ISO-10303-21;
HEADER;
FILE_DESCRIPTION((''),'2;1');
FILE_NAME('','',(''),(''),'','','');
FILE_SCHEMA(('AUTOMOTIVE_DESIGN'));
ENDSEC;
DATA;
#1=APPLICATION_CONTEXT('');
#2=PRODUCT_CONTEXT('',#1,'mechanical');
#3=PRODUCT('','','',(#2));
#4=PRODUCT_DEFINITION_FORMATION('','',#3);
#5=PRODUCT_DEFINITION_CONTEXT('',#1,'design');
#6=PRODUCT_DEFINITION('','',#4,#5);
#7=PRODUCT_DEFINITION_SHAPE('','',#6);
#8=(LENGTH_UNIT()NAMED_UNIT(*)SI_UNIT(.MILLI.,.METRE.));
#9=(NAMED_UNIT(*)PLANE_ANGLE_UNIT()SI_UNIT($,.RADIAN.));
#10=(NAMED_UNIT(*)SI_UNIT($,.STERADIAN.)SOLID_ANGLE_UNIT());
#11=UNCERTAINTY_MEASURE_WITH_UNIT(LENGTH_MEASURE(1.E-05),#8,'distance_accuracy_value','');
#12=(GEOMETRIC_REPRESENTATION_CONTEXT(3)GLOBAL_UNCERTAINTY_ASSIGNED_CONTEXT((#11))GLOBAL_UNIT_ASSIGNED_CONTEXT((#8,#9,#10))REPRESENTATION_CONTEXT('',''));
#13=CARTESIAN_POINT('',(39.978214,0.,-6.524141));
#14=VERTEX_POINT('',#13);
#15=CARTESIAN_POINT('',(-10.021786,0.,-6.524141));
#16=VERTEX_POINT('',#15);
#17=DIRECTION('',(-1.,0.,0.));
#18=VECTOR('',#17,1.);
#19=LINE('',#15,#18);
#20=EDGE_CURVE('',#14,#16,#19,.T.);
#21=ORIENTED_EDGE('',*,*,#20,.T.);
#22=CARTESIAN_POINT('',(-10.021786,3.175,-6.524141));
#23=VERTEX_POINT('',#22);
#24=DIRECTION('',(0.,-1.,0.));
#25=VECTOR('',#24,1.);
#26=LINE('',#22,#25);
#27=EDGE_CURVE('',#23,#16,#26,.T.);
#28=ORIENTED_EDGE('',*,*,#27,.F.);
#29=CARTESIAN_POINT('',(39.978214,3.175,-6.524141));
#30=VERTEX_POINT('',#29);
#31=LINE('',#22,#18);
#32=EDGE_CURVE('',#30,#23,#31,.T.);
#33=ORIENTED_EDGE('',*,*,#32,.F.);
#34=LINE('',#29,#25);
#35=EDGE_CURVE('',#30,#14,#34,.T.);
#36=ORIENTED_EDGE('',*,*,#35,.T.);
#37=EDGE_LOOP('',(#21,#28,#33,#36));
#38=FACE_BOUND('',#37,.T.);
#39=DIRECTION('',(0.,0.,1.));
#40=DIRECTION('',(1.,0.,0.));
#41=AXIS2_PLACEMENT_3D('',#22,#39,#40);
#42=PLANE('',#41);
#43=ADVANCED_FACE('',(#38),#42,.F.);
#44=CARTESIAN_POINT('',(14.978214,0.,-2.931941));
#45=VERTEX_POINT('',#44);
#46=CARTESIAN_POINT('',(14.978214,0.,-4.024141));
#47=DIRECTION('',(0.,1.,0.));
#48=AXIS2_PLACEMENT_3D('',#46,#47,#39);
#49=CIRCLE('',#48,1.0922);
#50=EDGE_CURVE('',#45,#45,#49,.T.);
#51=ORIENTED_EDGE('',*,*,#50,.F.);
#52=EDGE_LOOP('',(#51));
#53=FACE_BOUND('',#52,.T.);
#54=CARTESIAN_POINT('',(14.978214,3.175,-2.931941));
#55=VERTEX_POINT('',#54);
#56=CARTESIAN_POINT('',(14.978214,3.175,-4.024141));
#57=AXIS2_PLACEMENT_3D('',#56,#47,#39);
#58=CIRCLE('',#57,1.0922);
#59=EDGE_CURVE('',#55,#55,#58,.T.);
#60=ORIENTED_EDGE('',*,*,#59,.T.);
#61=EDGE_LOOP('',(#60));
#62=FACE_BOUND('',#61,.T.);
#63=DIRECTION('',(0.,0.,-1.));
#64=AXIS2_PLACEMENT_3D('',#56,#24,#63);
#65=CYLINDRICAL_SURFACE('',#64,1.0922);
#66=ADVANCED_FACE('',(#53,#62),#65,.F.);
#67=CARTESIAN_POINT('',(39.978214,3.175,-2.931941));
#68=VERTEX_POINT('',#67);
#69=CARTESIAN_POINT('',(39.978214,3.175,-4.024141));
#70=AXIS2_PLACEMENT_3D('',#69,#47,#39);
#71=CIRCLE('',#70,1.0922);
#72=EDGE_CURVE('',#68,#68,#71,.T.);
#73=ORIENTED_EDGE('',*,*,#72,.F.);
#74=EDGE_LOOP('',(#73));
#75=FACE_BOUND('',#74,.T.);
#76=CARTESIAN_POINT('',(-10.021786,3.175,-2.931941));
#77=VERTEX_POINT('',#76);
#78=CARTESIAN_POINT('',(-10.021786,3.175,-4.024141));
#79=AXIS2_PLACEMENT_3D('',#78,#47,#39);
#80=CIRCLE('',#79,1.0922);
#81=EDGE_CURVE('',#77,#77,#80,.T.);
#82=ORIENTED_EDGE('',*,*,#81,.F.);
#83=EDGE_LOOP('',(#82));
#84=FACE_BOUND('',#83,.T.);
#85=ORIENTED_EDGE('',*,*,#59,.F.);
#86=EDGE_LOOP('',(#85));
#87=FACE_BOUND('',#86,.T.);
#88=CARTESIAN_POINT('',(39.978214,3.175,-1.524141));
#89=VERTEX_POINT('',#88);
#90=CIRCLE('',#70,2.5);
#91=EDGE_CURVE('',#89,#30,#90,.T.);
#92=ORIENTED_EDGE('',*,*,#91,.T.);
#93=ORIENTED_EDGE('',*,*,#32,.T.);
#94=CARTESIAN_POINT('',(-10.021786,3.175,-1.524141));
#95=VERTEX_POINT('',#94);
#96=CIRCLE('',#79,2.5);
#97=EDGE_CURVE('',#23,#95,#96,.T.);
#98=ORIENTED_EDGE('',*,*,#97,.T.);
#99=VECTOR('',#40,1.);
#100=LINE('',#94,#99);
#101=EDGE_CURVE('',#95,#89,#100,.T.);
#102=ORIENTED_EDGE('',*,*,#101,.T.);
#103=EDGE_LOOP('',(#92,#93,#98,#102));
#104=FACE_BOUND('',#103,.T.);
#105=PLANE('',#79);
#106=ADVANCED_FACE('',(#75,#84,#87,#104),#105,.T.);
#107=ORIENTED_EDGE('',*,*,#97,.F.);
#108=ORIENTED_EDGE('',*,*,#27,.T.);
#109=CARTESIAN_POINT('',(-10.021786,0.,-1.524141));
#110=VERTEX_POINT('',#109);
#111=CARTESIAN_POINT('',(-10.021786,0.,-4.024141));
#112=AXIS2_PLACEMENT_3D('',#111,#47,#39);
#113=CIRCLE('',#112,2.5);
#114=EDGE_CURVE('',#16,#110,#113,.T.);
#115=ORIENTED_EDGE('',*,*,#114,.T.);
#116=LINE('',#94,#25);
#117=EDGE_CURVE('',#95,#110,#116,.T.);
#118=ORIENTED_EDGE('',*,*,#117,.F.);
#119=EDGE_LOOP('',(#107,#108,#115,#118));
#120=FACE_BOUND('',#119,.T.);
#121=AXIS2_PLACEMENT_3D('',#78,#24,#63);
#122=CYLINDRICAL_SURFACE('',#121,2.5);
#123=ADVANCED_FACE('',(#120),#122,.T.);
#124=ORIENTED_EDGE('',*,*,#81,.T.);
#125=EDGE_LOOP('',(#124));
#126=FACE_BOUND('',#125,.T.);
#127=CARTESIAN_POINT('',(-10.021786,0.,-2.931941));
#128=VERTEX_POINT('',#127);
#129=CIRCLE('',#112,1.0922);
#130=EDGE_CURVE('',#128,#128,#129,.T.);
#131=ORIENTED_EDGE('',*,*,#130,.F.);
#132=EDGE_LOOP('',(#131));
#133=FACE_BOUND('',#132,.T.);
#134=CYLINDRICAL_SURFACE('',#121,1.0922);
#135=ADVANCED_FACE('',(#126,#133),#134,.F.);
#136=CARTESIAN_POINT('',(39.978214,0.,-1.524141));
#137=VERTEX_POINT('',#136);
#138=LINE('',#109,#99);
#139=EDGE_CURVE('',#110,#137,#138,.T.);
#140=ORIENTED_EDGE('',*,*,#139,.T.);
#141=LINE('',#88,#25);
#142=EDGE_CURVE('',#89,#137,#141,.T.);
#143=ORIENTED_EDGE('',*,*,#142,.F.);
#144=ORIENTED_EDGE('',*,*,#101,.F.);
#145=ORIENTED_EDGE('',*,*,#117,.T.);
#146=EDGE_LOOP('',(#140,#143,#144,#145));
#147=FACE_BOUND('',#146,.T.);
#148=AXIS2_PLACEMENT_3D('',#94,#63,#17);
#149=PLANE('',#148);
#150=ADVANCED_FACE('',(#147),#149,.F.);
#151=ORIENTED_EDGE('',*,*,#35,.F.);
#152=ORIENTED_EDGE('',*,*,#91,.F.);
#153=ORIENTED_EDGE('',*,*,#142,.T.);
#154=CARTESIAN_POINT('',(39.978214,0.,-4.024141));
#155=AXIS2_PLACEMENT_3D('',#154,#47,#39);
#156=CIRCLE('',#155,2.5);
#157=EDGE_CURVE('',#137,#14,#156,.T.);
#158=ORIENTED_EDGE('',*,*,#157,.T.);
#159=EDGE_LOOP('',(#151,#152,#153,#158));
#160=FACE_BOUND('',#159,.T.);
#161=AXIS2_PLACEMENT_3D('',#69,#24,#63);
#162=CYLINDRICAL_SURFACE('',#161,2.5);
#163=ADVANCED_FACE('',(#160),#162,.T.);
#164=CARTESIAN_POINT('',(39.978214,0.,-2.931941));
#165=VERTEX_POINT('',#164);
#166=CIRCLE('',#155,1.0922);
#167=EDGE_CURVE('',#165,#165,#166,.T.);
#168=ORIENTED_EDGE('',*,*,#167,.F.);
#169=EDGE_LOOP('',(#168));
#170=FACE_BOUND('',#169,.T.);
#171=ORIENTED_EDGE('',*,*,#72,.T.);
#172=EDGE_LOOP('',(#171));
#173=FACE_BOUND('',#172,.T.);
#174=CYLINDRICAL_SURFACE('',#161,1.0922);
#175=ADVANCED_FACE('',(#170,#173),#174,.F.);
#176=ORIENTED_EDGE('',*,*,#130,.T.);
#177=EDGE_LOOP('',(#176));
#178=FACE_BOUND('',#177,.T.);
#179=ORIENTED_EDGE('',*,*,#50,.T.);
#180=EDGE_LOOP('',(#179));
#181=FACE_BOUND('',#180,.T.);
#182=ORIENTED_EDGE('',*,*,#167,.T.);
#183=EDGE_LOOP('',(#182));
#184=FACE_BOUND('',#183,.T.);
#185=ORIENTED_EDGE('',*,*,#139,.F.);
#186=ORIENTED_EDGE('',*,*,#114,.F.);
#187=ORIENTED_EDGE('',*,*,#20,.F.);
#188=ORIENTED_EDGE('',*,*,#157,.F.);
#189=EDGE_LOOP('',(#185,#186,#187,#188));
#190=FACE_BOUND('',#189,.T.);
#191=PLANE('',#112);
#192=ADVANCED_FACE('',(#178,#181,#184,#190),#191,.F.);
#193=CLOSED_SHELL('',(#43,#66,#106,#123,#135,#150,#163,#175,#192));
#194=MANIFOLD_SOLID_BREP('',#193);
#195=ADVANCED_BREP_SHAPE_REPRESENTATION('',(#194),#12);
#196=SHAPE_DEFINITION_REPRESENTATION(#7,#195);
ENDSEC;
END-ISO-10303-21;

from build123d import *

# Parameters (mm, degrees)
SKETCH1_R           = 1.0922
BOSS_EXTRUDE1_DEPTH = 3.175


with BuildPart() as part:
    # Sketch1 → Boss-Extrude1 (new body)
    with BuildSketch(Plane(origin=(0, 0, 0), x_dir=(1, 0, 0), z_dir=(0, 1, 0))):
        with BuildLine():
            Line((-10.021786492, 6.524141437), (39.978213508, 6.524141437))
            ThreePointArc((39.978213508, 6.524141437), (42.478213508, 4.024141437), (39.978213508, 1.524141437))
            Line((39.978213508, 1.524141437), (-10.021786492, 1.524141437))
            ThreePointArc((-10.021786492, 1.524141437), (-12.521786492, 4.024141437), (-10.021786492, 6.524141437))
        make_face()
        with Locations((-10.021786492, 4.024141437)):
            Circle(SKETCH1_R, mode=Mode.SUBTRACT)
        with Locations((39.978213508, 4.024141437)):
            Circle(SKETCH1_R, mode=Mode.SUBTRACT)
        with Locations((14.978213508, 4.024141437)):
            Circle(SKETCH1_R, mode=Mode.SUBTRACT)
    extrude(amount=BOSS_EXTRUDE1_DEPTH)


solid = part.part
